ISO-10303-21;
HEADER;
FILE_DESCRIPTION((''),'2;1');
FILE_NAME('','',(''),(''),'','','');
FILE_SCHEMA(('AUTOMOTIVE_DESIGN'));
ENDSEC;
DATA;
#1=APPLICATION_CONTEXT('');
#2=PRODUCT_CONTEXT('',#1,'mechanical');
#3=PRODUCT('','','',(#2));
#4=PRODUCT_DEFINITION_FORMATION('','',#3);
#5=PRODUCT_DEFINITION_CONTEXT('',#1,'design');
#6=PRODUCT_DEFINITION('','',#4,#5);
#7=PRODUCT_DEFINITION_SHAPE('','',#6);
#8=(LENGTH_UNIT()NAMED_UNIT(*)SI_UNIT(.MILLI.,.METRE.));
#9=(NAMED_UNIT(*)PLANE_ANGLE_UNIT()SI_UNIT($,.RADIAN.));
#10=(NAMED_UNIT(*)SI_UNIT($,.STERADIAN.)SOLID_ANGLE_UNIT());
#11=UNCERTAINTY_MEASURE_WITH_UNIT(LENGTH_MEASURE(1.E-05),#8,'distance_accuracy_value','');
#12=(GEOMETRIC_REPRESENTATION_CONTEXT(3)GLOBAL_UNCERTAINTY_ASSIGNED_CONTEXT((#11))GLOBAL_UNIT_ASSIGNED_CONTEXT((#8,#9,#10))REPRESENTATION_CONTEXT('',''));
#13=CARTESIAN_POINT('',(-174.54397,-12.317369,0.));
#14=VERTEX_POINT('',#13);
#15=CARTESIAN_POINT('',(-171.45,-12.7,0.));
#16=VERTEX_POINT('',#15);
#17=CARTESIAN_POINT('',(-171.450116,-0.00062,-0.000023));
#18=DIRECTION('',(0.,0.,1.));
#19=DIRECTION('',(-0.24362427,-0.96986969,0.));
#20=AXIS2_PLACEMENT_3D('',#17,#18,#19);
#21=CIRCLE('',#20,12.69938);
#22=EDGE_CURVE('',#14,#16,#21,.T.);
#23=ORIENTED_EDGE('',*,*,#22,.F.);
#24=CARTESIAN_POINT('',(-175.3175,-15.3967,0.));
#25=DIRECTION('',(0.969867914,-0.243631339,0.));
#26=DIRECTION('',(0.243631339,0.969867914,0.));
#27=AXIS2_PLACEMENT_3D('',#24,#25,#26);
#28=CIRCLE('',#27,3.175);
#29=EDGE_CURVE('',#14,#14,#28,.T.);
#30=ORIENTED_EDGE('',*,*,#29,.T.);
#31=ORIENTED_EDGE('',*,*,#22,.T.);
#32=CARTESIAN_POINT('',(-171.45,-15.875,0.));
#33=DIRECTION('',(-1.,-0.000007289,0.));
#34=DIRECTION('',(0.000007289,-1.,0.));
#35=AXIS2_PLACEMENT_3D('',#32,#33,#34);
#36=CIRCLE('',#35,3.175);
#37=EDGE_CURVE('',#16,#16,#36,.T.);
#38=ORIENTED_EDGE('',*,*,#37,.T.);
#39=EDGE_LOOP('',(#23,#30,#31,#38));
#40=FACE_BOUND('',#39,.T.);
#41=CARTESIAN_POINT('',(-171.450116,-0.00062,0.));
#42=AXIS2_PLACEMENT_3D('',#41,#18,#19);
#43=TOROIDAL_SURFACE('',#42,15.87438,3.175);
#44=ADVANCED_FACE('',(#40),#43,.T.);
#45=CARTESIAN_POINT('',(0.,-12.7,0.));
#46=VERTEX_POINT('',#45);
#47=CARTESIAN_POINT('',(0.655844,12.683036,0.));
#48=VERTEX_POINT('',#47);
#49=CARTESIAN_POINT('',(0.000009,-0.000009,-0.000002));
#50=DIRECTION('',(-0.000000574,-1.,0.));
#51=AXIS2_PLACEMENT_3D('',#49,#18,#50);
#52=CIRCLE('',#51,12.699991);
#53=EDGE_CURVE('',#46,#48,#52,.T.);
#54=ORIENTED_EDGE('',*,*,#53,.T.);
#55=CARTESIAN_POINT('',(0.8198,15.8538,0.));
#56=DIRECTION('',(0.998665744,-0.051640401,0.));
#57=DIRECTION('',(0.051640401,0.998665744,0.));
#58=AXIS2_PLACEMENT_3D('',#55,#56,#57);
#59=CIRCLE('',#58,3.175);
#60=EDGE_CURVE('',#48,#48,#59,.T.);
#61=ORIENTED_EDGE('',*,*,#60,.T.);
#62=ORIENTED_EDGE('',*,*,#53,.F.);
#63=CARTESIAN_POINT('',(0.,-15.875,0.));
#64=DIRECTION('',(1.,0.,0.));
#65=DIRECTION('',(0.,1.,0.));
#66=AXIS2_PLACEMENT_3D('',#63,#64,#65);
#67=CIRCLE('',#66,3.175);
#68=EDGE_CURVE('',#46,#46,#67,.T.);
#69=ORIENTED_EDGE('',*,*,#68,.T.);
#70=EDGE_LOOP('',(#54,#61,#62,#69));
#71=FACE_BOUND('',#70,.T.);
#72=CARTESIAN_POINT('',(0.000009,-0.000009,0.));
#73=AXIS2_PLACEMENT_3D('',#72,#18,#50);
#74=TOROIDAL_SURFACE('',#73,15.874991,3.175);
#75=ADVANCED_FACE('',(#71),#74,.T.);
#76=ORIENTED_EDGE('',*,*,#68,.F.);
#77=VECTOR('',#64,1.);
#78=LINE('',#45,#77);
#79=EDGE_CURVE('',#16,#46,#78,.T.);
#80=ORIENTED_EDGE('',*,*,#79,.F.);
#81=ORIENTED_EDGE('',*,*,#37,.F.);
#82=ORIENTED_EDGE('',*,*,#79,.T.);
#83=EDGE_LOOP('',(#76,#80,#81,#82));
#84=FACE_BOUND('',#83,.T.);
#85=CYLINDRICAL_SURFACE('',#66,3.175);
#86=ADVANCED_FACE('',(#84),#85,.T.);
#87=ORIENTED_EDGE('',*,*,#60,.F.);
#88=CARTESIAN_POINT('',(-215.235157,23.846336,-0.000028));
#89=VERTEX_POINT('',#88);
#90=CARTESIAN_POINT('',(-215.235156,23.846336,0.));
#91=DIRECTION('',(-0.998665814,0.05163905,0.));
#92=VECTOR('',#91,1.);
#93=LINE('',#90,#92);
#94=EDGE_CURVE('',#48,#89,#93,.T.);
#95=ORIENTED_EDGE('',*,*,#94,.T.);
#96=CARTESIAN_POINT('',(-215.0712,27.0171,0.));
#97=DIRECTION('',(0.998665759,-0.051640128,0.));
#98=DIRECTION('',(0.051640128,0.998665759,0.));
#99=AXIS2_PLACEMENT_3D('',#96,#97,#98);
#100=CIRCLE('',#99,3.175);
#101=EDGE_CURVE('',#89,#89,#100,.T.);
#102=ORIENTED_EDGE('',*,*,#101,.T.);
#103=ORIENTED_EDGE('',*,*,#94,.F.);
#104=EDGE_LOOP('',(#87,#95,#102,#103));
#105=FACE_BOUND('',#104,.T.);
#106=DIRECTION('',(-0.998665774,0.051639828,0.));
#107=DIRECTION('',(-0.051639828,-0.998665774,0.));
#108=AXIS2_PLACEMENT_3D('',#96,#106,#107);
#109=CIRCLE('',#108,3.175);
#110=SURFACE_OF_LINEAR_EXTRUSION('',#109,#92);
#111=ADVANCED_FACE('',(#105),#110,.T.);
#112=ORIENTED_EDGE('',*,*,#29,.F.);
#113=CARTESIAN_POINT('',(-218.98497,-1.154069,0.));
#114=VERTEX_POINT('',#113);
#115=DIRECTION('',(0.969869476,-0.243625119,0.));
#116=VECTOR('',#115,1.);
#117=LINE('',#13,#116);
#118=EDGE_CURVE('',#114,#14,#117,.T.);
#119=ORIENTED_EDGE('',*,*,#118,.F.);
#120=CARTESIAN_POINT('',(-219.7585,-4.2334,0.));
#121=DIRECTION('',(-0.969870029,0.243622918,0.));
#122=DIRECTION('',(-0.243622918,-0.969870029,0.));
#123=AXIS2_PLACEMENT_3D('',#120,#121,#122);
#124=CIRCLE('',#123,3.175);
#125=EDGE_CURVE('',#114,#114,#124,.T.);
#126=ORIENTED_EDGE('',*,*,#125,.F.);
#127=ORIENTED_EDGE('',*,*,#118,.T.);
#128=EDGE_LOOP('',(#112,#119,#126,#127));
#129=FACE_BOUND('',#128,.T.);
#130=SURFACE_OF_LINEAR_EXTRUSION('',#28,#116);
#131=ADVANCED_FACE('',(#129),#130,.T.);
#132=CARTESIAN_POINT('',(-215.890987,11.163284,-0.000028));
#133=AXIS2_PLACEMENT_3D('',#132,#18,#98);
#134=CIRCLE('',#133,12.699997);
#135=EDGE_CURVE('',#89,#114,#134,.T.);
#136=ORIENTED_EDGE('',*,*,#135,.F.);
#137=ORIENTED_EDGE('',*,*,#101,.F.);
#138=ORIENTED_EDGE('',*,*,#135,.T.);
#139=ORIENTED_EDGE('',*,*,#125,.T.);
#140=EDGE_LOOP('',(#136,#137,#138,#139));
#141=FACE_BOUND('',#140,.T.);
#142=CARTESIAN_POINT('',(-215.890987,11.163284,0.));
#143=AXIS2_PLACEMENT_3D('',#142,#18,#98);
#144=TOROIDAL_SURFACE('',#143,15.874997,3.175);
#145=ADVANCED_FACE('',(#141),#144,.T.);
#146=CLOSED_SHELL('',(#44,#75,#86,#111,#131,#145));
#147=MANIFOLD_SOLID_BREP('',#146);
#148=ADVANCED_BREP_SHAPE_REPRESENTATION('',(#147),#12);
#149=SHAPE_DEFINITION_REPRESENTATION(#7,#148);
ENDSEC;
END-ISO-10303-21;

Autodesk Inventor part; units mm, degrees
ref_plane "YZ Plane" through (0, 0, 0) normal (1, 0, 0) x (0, 1, 0)
ref_plane "XZ Plane" through (0, 0, 0) normal (0, 1, 0) x (-1, 0, 0)
ref_plane "XY Plane" through (0, 0, 0) normal (0, 0, 1) x (1, 0, 0)
sketch "Sketch1" plane through (0, 0, 0) normal (0, 0, 1) x (1, 0, 0)
  arc A0 (0, -15.875) -> (0.8198, 15.8538) centre (0, 0) ccw
  line L0 (0, -15.875) -> (-171.45, -15.875)
  arc A1 (-175.3175, -15.3967) -> (-171.45, -15.875) centre (-171.45, 0) ccw
  line L1 (-175.3175, -15.3967) -> (-219.7585, -4.2334)
  arc A2 (-215.0712, 27.0171) -> (-219.7585, -4.2334) centre (-215.891, 11.1633) ccw
  line L2 (-215.0712, 27.0171) -> (0.8198, 15.8538)
  dimension "d0" = 171.45
  dimension "d1" = 15.875
  dimension "d2" = 45.8216
  dimension "d3" = 216.1794
  dimension "d4" = 15.875
  dimension "d5" = 15.875
sketch "Sketch2" plane through (0, 0, 0) normal (1, 0, 0) x (0, 1, 0)
  circle A0 centre (-15.875, 0) radius 3.175
  point P0 (0, 0)
  dimension "d6" = 15.875
  dimension "d7" = 6.35
sweep "Sweep1" add profiles "Sketch2" path "Sketch1"
equation "\"d4\" = d1"
equation "\"d5\" = d1"
properties part number "apendage polycord"
